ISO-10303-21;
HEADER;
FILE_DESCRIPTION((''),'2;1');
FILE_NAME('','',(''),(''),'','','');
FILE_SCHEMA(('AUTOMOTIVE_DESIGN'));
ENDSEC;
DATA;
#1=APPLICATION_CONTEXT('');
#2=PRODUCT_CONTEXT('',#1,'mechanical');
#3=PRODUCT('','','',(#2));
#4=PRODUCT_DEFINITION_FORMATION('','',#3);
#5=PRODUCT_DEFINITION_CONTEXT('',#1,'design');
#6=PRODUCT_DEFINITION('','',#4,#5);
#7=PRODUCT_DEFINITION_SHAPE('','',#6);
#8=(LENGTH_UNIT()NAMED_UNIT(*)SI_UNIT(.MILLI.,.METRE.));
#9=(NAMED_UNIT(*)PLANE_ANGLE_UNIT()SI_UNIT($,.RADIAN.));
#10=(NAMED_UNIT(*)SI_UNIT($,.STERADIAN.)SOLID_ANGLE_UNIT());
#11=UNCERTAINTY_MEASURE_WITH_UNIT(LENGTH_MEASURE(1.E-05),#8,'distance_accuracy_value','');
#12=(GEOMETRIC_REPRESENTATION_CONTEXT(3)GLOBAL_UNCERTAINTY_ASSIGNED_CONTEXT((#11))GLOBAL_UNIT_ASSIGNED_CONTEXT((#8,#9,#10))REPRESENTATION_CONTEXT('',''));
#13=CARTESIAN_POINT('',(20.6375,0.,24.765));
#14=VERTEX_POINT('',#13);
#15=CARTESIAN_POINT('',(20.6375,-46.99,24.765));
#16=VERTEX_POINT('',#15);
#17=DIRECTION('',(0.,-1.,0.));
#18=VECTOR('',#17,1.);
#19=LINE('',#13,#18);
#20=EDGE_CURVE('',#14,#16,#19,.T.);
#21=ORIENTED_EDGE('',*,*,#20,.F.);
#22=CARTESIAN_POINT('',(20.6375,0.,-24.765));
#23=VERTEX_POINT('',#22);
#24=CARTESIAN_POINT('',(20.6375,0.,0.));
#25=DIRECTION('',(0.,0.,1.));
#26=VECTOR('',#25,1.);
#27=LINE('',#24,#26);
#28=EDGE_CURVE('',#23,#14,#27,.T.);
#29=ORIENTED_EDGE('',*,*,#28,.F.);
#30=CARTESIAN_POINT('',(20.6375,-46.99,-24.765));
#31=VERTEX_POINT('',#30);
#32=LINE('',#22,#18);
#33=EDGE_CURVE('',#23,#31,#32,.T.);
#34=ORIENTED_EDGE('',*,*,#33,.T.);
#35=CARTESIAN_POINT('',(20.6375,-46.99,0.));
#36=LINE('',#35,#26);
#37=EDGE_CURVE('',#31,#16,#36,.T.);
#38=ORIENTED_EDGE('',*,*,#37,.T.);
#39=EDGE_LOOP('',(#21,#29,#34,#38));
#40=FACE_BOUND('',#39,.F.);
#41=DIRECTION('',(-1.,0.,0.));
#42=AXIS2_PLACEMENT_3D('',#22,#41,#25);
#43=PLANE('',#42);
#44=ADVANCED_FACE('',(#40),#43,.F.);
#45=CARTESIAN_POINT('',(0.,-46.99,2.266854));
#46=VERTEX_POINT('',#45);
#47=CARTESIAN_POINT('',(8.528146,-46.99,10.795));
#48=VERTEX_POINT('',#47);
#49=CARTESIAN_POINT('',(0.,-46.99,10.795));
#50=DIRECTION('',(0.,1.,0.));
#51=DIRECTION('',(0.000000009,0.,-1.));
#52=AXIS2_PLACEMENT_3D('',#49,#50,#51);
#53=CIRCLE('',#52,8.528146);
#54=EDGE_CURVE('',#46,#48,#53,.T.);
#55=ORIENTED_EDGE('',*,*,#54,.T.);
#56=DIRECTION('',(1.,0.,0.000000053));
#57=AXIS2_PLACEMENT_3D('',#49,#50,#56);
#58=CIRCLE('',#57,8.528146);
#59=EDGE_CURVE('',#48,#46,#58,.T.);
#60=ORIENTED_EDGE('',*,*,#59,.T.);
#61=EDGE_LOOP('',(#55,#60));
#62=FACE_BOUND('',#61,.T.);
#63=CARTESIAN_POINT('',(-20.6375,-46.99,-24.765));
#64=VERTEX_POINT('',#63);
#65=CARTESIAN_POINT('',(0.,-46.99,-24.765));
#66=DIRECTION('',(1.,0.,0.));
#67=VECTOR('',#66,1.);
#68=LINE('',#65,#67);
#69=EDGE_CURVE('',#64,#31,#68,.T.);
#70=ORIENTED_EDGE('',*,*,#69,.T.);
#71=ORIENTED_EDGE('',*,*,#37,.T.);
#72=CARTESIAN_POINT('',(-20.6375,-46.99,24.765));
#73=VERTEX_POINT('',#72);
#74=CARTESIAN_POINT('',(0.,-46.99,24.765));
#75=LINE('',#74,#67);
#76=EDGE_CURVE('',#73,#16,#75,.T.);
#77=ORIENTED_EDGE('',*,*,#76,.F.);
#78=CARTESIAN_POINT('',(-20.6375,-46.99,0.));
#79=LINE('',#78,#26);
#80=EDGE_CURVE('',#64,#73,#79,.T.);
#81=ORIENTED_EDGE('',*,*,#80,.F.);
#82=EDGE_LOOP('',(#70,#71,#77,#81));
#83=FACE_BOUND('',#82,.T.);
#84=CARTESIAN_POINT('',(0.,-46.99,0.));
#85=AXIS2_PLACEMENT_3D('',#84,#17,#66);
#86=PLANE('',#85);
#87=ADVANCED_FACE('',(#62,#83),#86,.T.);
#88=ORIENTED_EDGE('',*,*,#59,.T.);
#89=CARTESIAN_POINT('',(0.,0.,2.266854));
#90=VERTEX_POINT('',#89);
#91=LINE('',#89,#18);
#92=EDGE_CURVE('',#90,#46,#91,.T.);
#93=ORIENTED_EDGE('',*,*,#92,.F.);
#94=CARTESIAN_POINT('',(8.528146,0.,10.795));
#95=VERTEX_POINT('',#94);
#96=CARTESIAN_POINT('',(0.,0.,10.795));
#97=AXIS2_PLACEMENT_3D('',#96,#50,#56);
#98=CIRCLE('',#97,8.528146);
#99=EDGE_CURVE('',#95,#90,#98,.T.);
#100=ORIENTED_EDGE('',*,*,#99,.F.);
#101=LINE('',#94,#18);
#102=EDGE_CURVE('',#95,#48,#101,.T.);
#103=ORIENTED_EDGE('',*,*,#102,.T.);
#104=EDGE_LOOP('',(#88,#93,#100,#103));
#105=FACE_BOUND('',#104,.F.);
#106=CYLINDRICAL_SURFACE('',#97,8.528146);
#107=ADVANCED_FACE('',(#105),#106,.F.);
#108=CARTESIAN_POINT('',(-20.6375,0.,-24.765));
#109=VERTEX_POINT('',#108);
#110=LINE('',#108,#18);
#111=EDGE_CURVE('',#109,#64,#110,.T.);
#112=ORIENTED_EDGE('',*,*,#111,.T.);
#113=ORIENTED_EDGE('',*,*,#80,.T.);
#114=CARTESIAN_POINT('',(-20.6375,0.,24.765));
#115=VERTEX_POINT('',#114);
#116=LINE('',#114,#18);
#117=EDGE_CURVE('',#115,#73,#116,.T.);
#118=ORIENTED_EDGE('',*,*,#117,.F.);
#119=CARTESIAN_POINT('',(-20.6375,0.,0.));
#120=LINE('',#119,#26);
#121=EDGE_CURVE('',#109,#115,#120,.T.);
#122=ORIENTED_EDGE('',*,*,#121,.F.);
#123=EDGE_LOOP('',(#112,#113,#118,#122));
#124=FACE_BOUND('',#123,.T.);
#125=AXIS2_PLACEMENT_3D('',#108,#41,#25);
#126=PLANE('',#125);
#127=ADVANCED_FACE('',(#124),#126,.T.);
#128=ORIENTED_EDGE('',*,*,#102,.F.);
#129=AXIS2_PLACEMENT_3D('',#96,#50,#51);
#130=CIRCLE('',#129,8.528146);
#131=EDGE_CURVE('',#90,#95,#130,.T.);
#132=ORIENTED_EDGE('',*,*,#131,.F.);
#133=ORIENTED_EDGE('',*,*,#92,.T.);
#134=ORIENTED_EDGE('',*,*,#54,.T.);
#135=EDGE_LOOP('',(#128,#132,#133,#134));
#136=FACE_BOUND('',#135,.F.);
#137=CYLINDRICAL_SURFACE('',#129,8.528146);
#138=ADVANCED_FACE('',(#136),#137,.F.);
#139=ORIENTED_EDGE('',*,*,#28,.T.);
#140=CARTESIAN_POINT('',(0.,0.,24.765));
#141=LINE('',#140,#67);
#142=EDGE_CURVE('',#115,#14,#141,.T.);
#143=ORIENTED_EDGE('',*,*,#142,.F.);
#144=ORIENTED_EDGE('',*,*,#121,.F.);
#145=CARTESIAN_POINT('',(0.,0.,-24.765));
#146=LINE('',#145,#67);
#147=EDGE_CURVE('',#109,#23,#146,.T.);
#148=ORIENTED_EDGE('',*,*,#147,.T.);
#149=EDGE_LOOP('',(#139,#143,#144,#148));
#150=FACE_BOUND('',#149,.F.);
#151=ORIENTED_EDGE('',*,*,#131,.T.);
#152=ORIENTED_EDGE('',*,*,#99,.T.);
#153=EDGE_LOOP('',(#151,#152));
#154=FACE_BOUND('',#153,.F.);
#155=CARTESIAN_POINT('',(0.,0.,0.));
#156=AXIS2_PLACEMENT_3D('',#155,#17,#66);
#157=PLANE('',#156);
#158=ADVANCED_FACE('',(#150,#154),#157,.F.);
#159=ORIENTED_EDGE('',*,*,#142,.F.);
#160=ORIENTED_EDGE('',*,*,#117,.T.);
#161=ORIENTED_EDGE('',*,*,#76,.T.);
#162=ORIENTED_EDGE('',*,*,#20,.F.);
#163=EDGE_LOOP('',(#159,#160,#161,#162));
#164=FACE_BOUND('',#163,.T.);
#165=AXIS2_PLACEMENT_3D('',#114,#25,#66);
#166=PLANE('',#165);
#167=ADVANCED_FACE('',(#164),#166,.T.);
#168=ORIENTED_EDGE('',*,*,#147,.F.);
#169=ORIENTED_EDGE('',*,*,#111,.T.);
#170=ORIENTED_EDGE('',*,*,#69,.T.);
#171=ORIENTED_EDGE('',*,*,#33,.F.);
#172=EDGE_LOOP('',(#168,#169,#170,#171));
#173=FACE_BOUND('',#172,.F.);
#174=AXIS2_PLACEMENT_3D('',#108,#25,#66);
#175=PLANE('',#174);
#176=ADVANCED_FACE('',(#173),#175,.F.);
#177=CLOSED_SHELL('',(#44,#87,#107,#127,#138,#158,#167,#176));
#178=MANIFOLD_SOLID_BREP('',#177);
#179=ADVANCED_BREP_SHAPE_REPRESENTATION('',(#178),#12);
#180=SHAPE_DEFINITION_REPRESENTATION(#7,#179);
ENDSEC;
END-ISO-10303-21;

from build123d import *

# Parameters (mm, degrees)
F0_W     = 41.275
F0_H     = 49.53
F1_DEPTH = 46.99


with BuildPart() as f1:
    # F0 (on Front) → F1 (new body)
    with BuildSketch(Plane.XZ):
        Rectangle(F0_W, F0_H)
        with BuildLine():
            ThreePointArc((0, 2.266854), (-6.03031, 16.82531), (8.528146, 10.795))
            ThreePointArc((8.528146, 10.795), (6.03031, 4.76469), (0, 2.266854))
        make_face(mode=Mode.SUBTRACT)
    extrude(amount=F1_DEPTH)


solid = f1.part
